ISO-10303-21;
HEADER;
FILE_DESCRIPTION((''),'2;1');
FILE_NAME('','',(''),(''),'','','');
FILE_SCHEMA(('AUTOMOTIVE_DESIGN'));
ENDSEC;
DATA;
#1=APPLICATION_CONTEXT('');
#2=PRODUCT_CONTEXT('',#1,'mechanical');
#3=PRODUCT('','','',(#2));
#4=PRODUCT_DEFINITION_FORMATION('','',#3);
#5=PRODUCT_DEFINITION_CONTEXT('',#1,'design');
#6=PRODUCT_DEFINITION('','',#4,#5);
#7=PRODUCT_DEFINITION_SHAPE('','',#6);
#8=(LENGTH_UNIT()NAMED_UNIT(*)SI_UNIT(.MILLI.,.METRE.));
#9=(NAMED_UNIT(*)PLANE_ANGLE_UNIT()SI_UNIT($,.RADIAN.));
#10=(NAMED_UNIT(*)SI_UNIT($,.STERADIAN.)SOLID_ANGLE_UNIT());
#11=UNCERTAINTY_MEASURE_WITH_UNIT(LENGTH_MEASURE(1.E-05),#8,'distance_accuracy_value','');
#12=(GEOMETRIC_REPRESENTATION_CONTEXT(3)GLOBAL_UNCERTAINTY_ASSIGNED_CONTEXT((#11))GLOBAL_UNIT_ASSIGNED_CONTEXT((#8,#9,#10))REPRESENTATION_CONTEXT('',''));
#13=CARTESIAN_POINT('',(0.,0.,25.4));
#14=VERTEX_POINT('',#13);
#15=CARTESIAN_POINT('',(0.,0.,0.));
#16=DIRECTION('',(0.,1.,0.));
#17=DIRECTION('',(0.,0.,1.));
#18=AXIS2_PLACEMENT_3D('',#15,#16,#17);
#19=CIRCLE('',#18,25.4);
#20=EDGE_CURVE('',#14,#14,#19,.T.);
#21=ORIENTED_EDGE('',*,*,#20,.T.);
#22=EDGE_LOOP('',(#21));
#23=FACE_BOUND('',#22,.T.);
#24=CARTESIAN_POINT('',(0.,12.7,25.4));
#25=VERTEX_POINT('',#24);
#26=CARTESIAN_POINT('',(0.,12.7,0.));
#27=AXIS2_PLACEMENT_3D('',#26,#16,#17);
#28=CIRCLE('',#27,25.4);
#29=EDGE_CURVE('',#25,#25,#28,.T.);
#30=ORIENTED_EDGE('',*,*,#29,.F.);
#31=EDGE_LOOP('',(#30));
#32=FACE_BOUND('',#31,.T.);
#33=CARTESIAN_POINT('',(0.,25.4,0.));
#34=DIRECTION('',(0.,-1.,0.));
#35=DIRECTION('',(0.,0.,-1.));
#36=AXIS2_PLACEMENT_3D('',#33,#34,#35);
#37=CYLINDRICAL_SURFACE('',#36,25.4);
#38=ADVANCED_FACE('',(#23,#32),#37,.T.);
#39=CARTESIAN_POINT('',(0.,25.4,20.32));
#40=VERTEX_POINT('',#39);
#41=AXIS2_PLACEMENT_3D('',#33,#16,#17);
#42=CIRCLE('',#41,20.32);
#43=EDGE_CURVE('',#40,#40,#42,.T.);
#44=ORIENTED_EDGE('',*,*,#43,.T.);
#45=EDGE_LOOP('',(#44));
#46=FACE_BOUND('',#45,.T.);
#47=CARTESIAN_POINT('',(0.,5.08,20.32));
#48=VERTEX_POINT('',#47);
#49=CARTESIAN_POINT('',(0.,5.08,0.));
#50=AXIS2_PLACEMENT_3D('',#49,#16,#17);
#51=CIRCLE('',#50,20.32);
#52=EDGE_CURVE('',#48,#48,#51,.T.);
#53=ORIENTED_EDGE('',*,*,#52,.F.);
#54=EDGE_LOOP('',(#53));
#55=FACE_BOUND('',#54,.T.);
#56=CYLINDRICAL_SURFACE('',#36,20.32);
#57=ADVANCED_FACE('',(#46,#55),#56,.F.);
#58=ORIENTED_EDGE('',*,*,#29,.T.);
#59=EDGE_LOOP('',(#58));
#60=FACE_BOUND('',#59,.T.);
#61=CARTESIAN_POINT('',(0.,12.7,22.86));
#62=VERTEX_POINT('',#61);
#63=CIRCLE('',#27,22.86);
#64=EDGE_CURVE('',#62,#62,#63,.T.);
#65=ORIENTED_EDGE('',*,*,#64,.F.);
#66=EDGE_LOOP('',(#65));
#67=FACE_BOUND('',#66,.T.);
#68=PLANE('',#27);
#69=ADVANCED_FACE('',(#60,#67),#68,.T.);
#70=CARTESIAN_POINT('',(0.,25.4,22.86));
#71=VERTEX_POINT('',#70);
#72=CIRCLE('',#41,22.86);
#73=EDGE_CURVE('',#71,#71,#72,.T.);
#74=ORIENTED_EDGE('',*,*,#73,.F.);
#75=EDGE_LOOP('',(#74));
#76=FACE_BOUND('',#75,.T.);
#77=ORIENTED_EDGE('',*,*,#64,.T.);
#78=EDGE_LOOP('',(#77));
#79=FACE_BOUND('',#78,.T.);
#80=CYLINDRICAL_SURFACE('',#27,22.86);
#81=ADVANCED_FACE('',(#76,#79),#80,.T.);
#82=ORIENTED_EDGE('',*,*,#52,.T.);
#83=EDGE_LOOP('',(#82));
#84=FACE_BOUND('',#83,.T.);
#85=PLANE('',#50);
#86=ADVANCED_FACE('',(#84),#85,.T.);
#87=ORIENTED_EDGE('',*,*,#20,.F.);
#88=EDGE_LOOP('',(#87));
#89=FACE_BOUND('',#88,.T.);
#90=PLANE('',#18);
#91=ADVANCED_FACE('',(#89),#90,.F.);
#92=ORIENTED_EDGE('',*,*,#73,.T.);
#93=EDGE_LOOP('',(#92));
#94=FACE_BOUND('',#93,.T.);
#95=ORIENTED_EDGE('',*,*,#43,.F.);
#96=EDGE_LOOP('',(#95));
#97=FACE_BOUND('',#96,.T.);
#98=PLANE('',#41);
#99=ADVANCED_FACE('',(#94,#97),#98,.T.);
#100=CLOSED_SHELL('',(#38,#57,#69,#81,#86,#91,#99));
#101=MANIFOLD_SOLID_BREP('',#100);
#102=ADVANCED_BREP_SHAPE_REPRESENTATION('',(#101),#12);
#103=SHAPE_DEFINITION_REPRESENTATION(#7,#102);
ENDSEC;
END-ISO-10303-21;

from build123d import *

# Parameters (mm, degrees)
SKETCH1_R           = 25.4
BOSS_EXTRUDE1_DEPTH = 25.4
SHELL2_T            = -5.08
CUT_EXTRUDE3_START  = -12.7
SKETCH3_R           = 25.4
SKETCH3_R_2         = 22.86
CUT_EXTRUDE3_DEPTH  = 12.7


with BuildPart() as part:
    # Sketch1 → Boss-Extrude1 (new body)
    with BuildSketch(Plane(origin=(0, 0, 0), x_dir=(1, 0, 0), z_dir=(0, 1, 0))):
        with Locations(Location((0, 0, 0), (0, 0, 270))):
            Circle(SKETCH1_R)
    extrude(amount=BOSS_EXTRUDE1_DEPTH)

    # Shell2
    shell2_openings = [part.faces().sort_by_distance(p)[0] for p in [
        (0, 25.4, 0),
    ]]
    offset(amount=SHELL2_T, openings=shell2_openings, kind=Kind.INTERSECTION)

    # Sketch3 → Cut-Extrude3 (cut)
    with BuildSketch(Plane(origin=(0, 25.4, 0), x_dir=(1, 0, 0), z_dir=(0, 1, 0)).offset(CUT_EXTRUDE3_START)):
        with Locations(Location((0, 0, 0), (0, 0, 270))):
            Circle(SKETCH3_R)
        with Locations(Location((0, 0, 0), (0, 0, 270))):
            Circle(SKETCH3_R_2, mode=Mode.SUBTRACT)
    extrude(amount=CUT_EXTRUDE3_DEPTH, mode=Mode.SUBTRACT)


solid = part.part
